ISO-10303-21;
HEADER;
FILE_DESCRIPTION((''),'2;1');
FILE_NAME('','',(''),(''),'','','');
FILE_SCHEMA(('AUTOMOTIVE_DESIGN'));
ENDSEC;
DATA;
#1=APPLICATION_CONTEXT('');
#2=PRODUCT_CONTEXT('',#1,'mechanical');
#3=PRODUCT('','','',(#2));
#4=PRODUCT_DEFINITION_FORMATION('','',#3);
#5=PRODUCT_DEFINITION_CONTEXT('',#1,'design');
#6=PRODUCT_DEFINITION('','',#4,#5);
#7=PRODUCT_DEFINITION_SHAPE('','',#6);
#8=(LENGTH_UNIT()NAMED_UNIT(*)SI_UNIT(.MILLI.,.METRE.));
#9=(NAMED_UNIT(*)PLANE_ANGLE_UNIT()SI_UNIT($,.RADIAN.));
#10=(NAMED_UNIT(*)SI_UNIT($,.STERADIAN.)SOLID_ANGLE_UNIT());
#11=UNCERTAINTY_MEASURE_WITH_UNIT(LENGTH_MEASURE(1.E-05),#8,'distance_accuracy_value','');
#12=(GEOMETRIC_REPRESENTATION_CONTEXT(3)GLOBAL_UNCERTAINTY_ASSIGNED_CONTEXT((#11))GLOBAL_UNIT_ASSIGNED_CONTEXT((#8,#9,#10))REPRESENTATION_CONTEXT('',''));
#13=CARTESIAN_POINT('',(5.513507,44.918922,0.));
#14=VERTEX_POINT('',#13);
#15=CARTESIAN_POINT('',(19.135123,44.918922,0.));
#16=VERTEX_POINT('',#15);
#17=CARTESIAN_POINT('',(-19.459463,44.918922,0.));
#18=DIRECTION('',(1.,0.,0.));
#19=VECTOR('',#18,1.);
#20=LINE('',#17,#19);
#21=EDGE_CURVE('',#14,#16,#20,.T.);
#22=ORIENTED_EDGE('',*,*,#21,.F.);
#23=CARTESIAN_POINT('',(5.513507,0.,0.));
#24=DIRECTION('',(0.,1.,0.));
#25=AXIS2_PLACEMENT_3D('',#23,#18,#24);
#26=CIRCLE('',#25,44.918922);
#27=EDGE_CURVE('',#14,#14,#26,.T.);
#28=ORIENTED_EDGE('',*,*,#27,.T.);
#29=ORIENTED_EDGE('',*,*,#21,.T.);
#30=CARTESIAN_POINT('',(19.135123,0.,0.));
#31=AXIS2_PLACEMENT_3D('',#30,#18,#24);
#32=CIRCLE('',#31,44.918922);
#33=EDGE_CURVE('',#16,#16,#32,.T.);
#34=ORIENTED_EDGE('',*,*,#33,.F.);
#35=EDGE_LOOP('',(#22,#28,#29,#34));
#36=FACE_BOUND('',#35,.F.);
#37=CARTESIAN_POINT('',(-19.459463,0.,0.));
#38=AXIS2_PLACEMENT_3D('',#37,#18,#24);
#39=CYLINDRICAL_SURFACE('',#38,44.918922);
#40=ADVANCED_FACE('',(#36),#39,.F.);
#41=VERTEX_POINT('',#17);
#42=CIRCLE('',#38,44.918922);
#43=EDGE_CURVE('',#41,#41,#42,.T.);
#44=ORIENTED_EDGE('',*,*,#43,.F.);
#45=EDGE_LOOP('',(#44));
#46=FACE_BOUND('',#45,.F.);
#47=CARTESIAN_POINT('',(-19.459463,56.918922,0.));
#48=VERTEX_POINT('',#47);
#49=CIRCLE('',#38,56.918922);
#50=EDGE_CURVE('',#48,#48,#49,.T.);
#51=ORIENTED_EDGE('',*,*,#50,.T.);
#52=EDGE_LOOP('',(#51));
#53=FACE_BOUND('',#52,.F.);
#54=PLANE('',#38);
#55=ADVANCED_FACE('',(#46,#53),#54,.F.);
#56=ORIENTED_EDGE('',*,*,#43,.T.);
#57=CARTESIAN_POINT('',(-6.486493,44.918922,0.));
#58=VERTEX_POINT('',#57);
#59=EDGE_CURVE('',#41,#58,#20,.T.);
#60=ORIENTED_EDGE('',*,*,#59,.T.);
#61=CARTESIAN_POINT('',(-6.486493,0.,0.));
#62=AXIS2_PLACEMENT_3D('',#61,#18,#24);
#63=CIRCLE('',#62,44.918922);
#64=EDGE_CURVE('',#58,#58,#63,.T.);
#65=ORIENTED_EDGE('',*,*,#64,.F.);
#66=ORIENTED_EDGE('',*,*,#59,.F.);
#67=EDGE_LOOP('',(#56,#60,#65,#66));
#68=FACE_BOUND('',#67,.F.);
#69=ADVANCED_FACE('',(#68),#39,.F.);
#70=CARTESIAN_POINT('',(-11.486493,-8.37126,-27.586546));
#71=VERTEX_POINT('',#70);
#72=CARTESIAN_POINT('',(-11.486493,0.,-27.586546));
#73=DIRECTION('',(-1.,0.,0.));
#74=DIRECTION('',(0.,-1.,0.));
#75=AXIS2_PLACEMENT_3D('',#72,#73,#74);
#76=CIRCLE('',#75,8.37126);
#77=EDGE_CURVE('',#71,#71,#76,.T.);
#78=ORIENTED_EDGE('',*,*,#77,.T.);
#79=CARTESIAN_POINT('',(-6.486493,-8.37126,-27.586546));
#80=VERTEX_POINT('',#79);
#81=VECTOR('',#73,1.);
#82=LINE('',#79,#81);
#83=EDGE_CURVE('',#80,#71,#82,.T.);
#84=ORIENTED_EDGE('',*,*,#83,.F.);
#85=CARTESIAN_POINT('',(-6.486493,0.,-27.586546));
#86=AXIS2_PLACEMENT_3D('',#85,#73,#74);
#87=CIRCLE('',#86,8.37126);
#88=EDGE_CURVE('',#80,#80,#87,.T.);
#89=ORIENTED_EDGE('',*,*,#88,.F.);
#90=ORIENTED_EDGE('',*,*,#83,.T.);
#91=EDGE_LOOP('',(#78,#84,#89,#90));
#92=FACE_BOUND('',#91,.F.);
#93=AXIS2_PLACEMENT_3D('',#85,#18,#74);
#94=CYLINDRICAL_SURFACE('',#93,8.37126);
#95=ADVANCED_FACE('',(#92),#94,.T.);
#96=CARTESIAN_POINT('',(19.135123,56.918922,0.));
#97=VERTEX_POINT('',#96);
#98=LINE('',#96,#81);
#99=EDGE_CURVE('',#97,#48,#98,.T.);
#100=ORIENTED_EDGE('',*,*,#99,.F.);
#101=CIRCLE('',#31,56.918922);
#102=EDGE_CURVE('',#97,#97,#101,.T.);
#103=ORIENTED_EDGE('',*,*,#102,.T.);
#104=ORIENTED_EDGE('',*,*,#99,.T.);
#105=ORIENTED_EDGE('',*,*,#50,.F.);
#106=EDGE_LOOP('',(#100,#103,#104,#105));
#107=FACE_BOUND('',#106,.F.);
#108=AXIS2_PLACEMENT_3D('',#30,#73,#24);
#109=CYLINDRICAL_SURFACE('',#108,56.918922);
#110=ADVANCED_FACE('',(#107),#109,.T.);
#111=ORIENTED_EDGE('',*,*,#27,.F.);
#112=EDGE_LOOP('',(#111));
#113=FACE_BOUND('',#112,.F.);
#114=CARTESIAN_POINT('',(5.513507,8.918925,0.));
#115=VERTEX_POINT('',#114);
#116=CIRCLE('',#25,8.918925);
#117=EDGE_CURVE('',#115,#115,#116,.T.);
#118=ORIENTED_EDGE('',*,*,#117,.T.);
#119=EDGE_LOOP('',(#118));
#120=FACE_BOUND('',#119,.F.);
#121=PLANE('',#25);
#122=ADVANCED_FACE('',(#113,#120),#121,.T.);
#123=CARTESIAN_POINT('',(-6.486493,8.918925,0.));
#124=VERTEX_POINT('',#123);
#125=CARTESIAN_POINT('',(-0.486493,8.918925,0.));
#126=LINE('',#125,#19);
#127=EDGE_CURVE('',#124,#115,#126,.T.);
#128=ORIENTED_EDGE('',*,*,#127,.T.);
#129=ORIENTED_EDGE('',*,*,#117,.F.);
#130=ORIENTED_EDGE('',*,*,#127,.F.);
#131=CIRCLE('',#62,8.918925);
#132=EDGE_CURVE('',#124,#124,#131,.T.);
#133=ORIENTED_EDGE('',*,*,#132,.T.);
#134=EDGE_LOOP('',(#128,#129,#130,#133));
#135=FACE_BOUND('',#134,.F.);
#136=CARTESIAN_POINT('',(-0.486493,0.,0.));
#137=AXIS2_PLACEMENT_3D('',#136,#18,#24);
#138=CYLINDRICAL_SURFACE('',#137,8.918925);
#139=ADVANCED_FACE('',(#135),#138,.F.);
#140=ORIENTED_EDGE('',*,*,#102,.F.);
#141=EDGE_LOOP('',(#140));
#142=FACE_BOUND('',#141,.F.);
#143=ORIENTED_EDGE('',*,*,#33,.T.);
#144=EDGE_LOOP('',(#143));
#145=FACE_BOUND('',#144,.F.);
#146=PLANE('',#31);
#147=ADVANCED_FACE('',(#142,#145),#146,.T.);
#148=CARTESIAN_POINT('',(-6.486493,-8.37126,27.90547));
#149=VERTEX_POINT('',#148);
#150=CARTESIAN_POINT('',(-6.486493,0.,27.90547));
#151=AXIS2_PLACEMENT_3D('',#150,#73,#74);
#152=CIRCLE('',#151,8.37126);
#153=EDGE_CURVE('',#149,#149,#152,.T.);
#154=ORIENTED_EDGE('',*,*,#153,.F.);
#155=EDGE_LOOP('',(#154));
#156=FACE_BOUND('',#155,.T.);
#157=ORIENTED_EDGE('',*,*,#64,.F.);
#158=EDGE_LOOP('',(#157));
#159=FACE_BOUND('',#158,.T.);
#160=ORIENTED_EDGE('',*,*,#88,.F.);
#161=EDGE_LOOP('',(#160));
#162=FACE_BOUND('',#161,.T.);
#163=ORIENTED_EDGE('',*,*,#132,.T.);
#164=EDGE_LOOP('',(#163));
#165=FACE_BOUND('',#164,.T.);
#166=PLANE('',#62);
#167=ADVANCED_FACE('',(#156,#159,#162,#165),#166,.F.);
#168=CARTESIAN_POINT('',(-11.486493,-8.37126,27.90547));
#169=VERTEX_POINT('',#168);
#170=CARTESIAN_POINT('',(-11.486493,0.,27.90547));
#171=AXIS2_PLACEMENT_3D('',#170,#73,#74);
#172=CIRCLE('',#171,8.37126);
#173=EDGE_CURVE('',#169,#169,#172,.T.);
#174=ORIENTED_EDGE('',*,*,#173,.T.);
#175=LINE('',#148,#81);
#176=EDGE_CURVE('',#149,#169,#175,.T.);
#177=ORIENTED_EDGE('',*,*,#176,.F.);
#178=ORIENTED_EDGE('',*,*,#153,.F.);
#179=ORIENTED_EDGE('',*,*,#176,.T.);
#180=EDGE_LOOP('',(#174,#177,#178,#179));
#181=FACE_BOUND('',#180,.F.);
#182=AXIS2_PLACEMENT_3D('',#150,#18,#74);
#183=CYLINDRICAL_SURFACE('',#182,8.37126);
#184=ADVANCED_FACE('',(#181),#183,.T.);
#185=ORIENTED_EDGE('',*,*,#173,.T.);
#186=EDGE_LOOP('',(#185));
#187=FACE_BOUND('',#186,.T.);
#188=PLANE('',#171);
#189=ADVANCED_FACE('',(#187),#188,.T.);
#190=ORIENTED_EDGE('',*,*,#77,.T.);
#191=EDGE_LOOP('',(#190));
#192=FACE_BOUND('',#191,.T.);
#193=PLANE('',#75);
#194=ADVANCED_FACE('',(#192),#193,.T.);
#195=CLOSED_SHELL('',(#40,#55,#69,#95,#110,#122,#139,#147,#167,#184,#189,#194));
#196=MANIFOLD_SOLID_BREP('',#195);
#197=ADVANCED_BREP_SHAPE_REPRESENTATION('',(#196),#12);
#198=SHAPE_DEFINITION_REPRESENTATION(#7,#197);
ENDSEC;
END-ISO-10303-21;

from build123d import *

# Parameters (mm, degrees)
F0_W     = 12
F0_H     = 35.9999971587
F2_R     = 8.3712602983
F3_DEPTH = 5


with BuildPart() as f1:
    # F0 (on Top) → F1 (revolve)
    with BuildSketch(Plane.XY):
        Polygon((-19.4594625823, 44.9189218498), (-6.4864925787, 44.9189218498), (5.5135074213, 44.9189218498), (19.1351225156, 44.9189218498), (19.1351225156, 56.9189218498), (-19.4594625823, 56.9189218498), align=None)
        with Locations((-0.4864925787, 26.9189232705)):
            Rectangle(F0_W, F0_H)
    revolve(axis=Axis((2.7567485016, 0, 0), (1, 0, 0)))

    # F2 (on face) → F3 (join)
    with BuildSketch(Plane(origin=(-6.4864925787, 0, 0), x_dir=(0, -1, 0), z_dir=(-1, 0, 0))):
        with Locations((0, 27.9054697603)):
            Circle(F2_R)
        with Locations((0, -27.5865457952)):
            Circle(F2_R)
    extrude(amount=F3_DEPTH)


solid = f1.part
